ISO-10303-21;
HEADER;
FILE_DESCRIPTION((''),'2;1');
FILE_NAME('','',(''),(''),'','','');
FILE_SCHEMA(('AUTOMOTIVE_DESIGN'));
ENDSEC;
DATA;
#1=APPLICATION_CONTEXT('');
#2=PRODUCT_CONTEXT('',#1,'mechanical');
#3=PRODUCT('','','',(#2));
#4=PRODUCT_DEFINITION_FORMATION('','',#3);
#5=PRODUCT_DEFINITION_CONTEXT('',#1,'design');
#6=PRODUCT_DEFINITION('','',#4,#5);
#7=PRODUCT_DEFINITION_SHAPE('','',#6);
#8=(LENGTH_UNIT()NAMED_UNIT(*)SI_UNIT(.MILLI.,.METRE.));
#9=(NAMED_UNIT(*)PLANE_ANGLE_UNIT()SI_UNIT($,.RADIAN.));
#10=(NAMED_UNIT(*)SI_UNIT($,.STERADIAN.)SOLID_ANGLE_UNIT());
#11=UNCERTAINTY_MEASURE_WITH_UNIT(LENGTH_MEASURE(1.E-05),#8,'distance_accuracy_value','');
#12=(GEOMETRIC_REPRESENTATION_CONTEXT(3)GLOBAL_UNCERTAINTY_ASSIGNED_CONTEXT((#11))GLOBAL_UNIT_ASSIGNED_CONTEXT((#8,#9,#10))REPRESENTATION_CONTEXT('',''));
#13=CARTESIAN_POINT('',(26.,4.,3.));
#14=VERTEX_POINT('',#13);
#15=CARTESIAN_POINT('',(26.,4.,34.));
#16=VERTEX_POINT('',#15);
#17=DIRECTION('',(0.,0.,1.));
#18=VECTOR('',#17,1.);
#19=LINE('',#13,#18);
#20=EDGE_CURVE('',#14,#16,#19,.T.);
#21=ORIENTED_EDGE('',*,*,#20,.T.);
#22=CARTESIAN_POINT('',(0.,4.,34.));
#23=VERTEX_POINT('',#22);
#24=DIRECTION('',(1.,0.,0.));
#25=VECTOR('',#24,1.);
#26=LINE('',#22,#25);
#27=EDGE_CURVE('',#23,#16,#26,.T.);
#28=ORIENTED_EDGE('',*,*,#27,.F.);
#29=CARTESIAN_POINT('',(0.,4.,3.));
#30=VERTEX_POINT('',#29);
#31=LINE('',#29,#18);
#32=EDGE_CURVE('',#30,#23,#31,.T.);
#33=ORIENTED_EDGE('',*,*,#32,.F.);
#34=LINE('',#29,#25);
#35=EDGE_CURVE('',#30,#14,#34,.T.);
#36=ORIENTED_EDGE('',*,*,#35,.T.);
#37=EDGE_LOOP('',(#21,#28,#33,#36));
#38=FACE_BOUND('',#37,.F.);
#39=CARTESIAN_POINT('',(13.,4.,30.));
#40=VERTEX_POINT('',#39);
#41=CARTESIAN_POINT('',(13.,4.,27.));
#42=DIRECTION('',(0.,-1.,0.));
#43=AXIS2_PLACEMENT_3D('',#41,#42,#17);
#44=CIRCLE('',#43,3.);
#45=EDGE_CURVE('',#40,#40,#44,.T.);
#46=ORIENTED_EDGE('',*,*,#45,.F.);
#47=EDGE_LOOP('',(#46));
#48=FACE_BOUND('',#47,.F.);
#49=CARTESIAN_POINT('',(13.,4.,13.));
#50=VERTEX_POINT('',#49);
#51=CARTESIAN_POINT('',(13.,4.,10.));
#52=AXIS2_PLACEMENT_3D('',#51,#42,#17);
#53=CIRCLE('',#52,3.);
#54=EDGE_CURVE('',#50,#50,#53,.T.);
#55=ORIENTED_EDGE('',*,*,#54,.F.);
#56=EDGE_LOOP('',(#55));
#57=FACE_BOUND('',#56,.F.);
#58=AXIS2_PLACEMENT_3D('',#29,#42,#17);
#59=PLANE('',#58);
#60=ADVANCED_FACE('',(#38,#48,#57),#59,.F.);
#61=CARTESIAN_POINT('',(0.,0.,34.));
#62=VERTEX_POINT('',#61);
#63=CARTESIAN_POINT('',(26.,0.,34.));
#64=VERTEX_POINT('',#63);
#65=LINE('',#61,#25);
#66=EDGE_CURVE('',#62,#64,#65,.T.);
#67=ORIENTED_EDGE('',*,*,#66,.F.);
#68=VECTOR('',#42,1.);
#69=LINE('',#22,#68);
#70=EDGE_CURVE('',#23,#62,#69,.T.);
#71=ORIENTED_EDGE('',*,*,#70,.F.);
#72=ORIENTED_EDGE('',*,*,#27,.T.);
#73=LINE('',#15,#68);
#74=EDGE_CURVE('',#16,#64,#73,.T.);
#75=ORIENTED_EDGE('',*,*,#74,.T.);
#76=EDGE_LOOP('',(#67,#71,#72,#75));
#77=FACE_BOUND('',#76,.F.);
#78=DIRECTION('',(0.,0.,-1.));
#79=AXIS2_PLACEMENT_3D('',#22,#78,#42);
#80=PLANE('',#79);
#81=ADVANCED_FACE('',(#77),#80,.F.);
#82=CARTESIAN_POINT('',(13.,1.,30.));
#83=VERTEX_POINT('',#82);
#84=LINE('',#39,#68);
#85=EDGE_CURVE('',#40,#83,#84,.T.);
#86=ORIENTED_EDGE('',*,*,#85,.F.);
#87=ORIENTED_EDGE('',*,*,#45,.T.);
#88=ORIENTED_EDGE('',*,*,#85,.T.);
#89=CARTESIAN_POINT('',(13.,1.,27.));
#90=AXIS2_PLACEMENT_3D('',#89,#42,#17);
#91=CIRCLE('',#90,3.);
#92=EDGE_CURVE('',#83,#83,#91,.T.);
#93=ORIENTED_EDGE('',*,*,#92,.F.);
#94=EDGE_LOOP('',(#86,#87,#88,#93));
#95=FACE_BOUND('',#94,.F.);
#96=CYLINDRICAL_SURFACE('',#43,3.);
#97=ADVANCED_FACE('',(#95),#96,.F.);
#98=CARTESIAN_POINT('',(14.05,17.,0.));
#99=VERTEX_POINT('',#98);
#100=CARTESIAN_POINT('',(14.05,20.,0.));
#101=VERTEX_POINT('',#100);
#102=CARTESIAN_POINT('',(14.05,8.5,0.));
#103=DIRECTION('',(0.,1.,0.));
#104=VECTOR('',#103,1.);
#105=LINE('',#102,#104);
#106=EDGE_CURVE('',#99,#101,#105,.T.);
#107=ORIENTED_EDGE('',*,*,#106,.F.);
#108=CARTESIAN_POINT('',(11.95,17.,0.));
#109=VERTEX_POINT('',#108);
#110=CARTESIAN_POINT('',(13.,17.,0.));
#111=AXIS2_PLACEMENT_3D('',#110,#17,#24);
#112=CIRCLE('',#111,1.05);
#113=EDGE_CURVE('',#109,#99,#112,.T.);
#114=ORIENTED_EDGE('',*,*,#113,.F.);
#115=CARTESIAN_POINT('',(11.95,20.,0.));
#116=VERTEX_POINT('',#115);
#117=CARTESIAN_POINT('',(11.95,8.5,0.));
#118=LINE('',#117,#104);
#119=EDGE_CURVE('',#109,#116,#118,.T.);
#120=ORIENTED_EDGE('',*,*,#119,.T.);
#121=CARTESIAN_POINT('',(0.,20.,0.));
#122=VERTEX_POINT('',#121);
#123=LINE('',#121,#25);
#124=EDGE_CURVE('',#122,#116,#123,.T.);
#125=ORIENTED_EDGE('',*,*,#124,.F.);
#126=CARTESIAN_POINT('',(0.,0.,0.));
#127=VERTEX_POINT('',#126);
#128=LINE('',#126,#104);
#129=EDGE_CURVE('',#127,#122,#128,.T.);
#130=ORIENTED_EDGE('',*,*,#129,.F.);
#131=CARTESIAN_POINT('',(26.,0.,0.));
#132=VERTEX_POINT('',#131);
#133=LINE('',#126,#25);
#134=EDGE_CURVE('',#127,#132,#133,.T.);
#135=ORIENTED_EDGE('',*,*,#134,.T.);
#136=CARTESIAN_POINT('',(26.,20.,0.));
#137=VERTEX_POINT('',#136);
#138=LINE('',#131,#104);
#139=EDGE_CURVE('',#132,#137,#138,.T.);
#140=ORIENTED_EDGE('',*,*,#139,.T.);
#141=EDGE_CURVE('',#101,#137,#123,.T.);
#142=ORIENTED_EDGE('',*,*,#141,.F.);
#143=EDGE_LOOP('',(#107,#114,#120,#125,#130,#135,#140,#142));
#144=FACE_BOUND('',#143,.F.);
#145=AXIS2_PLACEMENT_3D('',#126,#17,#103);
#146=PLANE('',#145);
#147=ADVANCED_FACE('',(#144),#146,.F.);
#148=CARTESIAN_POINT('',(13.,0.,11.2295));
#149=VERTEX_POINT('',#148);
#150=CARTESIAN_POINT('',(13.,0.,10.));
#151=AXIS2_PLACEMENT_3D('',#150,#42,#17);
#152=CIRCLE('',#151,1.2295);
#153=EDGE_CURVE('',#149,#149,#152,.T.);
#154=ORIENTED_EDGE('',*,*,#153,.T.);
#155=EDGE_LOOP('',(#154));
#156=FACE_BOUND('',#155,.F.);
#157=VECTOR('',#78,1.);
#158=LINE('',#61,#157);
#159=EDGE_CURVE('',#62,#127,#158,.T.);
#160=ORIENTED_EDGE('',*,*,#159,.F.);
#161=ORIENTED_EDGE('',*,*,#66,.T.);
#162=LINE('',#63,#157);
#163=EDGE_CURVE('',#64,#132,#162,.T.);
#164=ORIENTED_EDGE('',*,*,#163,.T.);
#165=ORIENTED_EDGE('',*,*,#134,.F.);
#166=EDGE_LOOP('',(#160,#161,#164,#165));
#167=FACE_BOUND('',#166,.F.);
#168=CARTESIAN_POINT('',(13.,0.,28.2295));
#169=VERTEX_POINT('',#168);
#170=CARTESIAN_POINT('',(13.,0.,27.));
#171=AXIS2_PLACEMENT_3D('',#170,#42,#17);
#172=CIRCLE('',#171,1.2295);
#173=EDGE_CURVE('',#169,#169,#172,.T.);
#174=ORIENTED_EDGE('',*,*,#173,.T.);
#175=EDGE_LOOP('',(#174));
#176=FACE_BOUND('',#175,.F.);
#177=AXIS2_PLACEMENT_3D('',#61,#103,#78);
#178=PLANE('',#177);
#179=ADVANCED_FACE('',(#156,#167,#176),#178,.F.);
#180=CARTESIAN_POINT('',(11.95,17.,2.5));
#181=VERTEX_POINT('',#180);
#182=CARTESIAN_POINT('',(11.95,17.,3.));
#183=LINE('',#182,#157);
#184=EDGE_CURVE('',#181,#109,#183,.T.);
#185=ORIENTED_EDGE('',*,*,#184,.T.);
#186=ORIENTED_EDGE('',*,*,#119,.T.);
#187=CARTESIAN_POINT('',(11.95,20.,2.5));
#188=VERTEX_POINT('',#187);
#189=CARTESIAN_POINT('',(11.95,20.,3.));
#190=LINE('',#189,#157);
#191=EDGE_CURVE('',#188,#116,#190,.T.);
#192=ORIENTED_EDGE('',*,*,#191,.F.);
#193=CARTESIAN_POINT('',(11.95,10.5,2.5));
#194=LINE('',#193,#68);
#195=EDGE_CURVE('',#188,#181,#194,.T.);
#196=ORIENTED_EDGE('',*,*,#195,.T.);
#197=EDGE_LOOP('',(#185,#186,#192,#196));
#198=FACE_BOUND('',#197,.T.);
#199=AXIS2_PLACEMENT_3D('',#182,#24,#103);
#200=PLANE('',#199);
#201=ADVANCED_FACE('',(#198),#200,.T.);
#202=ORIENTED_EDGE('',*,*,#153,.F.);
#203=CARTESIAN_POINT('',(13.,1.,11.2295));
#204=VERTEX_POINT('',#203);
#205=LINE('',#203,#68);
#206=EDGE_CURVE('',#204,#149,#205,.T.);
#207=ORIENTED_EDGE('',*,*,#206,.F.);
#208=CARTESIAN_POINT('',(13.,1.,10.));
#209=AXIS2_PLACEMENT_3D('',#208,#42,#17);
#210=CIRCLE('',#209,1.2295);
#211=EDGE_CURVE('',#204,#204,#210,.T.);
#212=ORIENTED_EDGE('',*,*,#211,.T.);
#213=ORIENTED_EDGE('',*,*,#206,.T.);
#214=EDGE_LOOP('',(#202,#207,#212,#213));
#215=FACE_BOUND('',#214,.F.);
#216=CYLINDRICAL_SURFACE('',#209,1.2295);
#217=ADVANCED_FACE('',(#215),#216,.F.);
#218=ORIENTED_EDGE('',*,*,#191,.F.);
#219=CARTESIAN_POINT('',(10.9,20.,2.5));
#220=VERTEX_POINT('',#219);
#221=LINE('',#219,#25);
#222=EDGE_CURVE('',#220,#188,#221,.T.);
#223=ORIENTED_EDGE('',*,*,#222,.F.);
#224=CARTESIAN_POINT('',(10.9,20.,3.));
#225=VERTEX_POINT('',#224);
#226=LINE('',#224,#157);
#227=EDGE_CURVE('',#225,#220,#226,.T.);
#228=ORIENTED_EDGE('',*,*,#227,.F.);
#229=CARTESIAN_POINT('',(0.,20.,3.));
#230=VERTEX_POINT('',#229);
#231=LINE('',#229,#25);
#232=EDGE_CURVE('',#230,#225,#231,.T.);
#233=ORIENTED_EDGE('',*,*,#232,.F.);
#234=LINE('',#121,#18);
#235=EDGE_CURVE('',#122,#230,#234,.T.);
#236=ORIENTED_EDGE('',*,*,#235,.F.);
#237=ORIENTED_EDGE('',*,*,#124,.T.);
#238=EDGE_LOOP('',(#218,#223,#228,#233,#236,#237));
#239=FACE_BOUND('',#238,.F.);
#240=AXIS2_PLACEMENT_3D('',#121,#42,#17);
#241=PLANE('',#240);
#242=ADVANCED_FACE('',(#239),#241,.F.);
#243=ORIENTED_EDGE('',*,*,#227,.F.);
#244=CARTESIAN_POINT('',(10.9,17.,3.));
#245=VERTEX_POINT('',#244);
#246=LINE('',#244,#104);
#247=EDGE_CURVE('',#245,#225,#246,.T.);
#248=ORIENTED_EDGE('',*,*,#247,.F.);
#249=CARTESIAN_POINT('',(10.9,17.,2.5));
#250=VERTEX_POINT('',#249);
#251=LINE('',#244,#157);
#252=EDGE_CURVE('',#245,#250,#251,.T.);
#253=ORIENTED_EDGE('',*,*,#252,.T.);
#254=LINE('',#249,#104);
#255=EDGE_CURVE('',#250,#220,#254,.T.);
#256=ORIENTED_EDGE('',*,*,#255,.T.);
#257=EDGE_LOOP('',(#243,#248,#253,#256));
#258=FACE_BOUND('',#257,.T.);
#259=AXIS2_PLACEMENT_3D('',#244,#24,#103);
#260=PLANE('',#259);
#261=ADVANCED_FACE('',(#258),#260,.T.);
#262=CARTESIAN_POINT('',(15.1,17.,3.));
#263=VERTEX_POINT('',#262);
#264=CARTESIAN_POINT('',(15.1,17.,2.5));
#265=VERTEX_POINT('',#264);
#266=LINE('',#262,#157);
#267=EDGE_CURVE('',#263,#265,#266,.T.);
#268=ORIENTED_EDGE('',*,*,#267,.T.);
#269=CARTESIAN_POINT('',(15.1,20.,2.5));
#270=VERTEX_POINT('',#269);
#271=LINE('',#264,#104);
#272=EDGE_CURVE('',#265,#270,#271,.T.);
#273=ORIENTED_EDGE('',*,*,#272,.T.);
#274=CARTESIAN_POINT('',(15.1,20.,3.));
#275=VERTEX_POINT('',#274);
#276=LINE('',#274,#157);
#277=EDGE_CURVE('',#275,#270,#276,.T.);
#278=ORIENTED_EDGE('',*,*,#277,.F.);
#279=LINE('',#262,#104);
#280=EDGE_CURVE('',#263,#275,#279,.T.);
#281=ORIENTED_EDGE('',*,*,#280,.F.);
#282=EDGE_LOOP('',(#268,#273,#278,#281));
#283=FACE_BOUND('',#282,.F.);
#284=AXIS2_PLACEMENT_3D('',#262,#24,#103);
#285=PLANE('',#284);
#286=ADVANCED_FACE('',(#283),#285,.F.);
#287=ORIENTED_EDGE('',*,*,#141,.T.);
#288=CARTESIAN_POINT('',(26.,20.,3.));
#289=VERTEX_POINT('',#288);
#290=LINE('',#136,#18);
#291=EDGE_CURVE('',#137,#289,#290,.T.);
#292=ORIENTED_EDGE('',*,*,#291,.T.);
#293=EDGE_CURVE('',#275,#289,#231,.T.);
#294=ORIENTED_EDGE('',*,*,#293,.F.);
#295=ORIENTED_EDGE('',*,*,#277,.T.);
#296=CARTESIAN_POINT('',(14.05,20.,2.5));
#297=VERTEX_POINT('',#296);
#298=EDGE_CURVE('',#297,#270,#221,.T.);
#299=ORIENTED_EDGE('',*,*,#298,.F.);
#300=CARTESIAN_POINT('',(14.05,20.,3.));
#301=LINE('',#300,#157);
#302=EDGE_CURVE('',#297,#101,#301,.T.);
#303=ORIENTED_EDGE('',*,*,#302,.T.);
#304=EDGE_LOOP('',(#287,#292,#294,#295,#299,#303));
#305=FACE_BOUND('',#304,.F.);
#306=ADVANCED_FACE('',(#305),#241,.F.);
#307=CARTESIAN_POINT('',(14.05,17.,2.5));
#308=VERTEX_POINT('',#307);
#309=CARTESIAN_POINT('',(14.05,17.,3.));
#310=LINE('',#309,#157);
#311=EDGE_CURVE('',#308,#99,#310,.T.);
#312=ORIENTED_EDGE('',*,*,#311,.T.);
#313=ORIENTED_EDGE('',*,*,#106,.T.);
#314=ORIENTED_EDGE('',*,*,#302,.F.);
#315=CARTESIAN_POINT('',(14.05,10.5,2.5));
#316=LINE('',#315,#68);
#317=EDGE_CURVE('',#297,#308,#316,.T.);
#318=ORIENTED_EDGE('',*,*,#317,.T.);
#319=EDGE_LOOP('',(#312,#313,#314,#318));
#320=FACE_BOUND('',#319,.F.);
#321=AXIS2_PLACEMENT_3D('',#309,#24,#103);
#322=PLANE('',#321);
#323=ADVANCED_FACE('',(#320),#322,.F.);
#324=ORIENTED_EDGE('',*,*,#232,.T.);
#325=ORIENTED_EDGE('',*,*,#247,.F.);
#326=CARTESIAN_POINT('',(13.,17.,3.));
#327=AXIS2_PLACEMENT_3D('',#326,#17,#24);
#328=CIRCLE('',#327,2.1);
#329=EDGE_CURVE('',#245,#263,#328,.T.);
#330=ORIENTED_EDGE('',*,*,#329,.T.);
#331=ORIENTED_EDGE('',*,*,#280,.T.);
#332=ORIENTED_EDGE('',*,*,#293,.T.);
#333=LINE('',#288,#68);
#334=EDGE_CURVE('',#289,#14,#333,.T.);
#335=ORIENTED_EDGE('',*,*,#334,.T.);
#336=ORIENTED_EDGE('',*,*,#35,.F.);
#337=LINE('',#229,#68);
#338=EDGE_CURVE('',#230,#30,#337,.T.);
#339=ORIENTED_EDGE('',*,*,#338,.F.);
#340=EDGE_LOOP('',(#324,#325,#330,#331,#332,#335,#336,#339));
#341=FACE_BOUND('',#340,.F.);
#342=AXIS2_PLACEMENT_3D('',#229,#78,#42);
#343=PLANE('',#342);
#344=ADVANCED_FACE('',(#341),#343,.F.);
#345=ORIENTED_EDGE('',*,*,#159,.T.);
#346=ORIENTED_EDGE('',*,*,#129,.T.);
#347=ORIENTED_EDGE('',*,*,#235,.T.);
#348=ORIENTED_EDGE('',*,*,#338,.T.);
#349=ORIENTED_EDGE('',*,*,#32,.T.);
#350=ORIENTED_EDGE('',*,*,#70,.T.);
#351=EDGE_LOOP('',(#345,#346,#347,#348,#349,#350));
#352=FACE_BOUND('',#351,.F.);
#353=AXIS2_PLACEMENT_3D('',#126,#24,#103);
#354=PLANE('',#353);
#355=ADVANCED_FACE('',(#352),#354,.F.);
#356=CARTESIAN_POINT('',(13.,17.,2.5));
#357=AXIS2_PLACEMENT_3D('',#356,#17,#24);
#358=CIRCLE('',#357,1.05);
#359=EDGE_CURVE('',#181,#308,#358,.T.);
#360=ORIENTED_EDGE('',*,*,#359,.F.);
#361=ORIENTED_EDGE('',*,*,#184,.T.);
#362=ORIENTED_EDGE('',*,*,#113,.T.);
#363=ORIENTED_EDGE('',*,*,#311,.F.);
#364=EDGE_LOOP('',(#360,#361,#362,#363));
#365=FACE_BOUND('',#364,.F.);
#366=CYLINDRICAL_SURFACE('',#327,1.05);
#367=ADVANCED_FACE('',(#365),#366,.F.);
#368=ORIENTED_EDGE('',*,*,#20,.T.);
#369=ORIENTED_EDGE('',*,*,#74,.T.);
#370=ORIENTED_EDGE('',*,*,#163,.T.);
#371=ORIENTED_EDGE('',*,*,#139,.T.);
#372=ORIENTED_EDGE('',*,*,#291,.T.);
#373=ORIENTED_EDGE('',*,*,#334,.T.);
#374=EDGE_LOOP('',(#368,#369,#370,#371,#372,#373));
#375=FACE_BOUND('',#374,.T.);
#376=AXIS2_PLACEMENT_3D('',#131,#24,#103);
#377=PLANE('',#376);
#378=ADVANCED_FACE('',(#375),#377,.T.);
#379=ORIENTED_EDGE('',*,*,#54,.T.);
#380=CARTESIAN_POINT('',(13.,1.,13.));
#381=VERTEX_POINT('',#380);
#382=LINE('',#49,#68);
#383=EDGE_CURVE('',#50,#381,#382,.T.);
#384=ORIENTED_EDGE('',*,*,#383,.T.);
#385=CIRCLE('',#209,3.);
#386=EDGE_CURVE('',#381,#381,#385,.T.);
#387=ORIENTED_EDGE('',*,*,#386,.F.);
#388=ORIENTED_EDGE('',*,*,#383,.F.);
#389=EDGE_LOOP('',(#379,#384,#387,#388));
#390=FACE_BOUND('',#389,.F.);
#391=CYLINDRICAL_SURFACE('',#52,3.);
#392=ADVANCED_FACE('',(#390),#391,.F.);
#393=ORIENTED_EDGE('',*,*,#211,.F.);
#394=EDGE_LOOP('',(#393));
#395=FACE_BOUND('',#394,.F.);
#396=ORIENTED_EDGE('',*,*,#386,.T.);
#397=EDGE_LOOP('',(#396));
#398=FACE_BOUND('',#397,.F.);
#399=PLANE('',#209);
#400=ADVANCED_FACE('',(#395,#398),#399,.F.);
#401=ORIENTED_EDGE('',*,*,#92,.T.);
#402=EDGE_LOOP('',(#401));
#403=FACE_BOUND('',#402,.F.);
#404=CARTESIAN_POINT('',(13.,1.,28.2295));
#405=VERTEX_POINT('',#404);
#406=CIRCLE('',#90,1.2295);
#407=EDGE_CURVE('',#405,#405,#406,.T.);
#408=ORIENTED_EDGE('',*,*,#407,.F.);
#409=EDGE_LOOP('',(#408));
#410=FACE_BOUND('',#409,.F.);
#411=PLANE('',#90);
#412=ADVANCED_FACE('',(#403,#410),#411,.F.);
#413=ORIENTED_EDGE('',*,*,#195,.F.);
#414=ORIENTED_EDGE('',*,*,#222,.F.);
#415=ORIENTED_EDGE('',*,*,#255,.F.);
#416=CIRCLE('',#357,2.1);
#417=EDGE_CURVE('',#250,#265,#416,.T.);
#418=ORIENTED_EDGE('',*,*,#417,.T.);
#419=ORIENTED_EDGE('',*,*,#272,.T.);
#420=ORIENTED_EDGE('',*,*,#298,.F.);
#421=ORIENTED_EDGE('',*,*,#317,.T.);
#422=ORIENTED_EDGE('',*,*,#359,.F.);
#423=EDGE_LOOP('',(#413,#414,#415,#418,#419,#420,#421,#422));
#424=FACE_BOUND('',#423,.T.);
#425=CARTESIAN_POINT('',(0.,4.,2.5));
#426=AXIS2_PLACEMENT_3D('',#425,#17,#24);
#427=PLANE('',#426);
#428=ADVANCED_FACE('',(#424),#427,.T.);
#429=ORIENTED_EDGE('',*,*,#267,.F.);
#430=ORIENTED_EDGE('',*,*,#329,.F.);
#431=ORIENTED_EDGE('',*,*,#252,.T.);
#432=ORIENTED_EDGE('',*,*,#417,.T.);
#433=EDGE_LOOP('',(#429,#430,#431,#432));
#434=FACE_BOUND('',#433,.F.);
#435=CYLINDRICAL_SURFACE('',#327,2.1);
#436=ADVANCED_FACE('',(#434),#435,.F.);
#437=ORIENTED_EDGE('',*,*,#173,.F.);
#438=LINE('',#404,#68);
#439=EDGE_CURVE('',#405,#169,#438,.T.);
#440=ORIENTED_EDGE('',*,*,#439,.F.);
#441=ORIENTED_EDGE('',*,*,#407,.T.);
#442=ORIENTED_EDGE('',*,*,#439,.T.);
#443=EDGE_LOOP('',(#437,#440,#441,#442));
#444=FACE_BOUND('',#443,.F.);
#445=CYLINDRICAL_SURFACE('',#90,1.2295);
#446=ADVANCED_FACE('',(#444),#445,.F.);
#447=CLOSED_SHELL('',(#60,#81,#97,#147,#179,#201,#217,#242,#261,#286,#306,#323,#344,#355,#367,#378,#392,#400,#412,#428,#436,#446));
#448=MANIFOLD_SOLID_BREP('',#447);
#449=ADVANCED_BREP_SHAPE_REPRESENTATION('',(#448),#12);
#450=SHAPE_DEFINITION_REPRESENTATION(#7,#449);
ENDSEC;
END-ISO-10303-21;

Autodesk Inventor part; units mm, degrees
ref_plane "YZ Plane" through (0, 0, 0) normal (1, 0, 0) x (0, 1, 0)
ref_plane "XZ Plane" through (0, 0, 0) normal (0, 1, 0) x (-1, 0, 0)
ref_plane "XY Plane" through (0, 0, 0) normal (0, 0, 1) x (1, 0, 0)
sketch "Sketch1" plane through (0, 0, 0) normal (1, 0, 0) x (0, 1, 0)
  line L0 (20, 0) -> (20, 3)
  line L1 (20, 3) -> (4, 3)
  line L2 (4, 3) -> (4, 34)
  line L3 (4, 34) -> (0, 34)
  line L4 (0, 34) -> (0, 0)
  line L5 (0, 0) -> (20, 0)
  dimension "d0" = 3
  dimension "d1" = 4
  dimension "d2" = 34
  dimension "d3" = 20
extrude "Extrusion1" add sketch "Sketch1" along normal blind 26
sketch "Sketch2" plane through (0, 4, 34) normal (0, 1, 0) x (1, 0, 0)
  line L0 (0, 31) -> (0, 0) projected
  line L1 (0, 0) -> (26, 0) projected
  line L2 (0, 31) -> (26, 31) projected
  point P0 (0, 34)
  point P1 (13, 7)
  point P2 (13, 24)
  dimension "d6" = 7
  dimension "d8" = 13
  dimension "d16" = 26
  dimension "d17" = 31
  dimension "d19" = 7
hole "Hole1" at (13, 4, 27) at (13, 4, 10) direction (0, -1, 0) diameter 2.459 end through all counterbore diameter 6 counterbore depth 3 thread size "M3x0.5" class "6H" standard "ISO Metric profile"
sketch "Sketch3" plane through (0, 4, 3) normal (0, 0, 1) x (1, 0, 0)
  line L0 (0, 16) -> (0, 0) projected
  line L1 (0, 16) -> (26, 16) projected
  circle A0 centre (13, 13) radius 1.05
  line L2 (11.95, 13) -> (11.95, 16)
  line L3 (14.05, 13) -> (14.05, 16)
  point P0 (0, -4)
  dimension "d20" = 2.1
  dimension "d21" = 13
  dimension "d22" = 3
  dimension "d28" = 26
extrude "Extrusion2" cut sketch "Sketch3" against normal through all
sketch "Sketch4" plane through (0, 4, 3) normal (0, 0, 1) x (1, 0, 0)
  arc A0 (11.95, 13) -> (14.05, 13) centre (13, 13) ccw projected
  circle A1 centre (13, 13) radius 2.1
  line L0 (0, 16) -> (11.95, 16) projected
  line L1 (14.05, 16) -> (26, 16) projected
  line L2 (10.9, 13) -> (10.9, 16)
  line L3 (15.1, 13) -> (15.1, 16)
  line L4 (10.9, 16) -> (15.1, 16)
  point P0 (0, -4)
  dimension "d25" = 4.2
extrude "Extrusion3" cut sketch "Sketch4" against normal blind 0.5
equation "\"d8\" = 0.5 * d16"
equation "\"d19\" = d6"
equation "\"d21\" = 0.5 * d28"
properties part number "SupportSlide" material "Aluminum"
